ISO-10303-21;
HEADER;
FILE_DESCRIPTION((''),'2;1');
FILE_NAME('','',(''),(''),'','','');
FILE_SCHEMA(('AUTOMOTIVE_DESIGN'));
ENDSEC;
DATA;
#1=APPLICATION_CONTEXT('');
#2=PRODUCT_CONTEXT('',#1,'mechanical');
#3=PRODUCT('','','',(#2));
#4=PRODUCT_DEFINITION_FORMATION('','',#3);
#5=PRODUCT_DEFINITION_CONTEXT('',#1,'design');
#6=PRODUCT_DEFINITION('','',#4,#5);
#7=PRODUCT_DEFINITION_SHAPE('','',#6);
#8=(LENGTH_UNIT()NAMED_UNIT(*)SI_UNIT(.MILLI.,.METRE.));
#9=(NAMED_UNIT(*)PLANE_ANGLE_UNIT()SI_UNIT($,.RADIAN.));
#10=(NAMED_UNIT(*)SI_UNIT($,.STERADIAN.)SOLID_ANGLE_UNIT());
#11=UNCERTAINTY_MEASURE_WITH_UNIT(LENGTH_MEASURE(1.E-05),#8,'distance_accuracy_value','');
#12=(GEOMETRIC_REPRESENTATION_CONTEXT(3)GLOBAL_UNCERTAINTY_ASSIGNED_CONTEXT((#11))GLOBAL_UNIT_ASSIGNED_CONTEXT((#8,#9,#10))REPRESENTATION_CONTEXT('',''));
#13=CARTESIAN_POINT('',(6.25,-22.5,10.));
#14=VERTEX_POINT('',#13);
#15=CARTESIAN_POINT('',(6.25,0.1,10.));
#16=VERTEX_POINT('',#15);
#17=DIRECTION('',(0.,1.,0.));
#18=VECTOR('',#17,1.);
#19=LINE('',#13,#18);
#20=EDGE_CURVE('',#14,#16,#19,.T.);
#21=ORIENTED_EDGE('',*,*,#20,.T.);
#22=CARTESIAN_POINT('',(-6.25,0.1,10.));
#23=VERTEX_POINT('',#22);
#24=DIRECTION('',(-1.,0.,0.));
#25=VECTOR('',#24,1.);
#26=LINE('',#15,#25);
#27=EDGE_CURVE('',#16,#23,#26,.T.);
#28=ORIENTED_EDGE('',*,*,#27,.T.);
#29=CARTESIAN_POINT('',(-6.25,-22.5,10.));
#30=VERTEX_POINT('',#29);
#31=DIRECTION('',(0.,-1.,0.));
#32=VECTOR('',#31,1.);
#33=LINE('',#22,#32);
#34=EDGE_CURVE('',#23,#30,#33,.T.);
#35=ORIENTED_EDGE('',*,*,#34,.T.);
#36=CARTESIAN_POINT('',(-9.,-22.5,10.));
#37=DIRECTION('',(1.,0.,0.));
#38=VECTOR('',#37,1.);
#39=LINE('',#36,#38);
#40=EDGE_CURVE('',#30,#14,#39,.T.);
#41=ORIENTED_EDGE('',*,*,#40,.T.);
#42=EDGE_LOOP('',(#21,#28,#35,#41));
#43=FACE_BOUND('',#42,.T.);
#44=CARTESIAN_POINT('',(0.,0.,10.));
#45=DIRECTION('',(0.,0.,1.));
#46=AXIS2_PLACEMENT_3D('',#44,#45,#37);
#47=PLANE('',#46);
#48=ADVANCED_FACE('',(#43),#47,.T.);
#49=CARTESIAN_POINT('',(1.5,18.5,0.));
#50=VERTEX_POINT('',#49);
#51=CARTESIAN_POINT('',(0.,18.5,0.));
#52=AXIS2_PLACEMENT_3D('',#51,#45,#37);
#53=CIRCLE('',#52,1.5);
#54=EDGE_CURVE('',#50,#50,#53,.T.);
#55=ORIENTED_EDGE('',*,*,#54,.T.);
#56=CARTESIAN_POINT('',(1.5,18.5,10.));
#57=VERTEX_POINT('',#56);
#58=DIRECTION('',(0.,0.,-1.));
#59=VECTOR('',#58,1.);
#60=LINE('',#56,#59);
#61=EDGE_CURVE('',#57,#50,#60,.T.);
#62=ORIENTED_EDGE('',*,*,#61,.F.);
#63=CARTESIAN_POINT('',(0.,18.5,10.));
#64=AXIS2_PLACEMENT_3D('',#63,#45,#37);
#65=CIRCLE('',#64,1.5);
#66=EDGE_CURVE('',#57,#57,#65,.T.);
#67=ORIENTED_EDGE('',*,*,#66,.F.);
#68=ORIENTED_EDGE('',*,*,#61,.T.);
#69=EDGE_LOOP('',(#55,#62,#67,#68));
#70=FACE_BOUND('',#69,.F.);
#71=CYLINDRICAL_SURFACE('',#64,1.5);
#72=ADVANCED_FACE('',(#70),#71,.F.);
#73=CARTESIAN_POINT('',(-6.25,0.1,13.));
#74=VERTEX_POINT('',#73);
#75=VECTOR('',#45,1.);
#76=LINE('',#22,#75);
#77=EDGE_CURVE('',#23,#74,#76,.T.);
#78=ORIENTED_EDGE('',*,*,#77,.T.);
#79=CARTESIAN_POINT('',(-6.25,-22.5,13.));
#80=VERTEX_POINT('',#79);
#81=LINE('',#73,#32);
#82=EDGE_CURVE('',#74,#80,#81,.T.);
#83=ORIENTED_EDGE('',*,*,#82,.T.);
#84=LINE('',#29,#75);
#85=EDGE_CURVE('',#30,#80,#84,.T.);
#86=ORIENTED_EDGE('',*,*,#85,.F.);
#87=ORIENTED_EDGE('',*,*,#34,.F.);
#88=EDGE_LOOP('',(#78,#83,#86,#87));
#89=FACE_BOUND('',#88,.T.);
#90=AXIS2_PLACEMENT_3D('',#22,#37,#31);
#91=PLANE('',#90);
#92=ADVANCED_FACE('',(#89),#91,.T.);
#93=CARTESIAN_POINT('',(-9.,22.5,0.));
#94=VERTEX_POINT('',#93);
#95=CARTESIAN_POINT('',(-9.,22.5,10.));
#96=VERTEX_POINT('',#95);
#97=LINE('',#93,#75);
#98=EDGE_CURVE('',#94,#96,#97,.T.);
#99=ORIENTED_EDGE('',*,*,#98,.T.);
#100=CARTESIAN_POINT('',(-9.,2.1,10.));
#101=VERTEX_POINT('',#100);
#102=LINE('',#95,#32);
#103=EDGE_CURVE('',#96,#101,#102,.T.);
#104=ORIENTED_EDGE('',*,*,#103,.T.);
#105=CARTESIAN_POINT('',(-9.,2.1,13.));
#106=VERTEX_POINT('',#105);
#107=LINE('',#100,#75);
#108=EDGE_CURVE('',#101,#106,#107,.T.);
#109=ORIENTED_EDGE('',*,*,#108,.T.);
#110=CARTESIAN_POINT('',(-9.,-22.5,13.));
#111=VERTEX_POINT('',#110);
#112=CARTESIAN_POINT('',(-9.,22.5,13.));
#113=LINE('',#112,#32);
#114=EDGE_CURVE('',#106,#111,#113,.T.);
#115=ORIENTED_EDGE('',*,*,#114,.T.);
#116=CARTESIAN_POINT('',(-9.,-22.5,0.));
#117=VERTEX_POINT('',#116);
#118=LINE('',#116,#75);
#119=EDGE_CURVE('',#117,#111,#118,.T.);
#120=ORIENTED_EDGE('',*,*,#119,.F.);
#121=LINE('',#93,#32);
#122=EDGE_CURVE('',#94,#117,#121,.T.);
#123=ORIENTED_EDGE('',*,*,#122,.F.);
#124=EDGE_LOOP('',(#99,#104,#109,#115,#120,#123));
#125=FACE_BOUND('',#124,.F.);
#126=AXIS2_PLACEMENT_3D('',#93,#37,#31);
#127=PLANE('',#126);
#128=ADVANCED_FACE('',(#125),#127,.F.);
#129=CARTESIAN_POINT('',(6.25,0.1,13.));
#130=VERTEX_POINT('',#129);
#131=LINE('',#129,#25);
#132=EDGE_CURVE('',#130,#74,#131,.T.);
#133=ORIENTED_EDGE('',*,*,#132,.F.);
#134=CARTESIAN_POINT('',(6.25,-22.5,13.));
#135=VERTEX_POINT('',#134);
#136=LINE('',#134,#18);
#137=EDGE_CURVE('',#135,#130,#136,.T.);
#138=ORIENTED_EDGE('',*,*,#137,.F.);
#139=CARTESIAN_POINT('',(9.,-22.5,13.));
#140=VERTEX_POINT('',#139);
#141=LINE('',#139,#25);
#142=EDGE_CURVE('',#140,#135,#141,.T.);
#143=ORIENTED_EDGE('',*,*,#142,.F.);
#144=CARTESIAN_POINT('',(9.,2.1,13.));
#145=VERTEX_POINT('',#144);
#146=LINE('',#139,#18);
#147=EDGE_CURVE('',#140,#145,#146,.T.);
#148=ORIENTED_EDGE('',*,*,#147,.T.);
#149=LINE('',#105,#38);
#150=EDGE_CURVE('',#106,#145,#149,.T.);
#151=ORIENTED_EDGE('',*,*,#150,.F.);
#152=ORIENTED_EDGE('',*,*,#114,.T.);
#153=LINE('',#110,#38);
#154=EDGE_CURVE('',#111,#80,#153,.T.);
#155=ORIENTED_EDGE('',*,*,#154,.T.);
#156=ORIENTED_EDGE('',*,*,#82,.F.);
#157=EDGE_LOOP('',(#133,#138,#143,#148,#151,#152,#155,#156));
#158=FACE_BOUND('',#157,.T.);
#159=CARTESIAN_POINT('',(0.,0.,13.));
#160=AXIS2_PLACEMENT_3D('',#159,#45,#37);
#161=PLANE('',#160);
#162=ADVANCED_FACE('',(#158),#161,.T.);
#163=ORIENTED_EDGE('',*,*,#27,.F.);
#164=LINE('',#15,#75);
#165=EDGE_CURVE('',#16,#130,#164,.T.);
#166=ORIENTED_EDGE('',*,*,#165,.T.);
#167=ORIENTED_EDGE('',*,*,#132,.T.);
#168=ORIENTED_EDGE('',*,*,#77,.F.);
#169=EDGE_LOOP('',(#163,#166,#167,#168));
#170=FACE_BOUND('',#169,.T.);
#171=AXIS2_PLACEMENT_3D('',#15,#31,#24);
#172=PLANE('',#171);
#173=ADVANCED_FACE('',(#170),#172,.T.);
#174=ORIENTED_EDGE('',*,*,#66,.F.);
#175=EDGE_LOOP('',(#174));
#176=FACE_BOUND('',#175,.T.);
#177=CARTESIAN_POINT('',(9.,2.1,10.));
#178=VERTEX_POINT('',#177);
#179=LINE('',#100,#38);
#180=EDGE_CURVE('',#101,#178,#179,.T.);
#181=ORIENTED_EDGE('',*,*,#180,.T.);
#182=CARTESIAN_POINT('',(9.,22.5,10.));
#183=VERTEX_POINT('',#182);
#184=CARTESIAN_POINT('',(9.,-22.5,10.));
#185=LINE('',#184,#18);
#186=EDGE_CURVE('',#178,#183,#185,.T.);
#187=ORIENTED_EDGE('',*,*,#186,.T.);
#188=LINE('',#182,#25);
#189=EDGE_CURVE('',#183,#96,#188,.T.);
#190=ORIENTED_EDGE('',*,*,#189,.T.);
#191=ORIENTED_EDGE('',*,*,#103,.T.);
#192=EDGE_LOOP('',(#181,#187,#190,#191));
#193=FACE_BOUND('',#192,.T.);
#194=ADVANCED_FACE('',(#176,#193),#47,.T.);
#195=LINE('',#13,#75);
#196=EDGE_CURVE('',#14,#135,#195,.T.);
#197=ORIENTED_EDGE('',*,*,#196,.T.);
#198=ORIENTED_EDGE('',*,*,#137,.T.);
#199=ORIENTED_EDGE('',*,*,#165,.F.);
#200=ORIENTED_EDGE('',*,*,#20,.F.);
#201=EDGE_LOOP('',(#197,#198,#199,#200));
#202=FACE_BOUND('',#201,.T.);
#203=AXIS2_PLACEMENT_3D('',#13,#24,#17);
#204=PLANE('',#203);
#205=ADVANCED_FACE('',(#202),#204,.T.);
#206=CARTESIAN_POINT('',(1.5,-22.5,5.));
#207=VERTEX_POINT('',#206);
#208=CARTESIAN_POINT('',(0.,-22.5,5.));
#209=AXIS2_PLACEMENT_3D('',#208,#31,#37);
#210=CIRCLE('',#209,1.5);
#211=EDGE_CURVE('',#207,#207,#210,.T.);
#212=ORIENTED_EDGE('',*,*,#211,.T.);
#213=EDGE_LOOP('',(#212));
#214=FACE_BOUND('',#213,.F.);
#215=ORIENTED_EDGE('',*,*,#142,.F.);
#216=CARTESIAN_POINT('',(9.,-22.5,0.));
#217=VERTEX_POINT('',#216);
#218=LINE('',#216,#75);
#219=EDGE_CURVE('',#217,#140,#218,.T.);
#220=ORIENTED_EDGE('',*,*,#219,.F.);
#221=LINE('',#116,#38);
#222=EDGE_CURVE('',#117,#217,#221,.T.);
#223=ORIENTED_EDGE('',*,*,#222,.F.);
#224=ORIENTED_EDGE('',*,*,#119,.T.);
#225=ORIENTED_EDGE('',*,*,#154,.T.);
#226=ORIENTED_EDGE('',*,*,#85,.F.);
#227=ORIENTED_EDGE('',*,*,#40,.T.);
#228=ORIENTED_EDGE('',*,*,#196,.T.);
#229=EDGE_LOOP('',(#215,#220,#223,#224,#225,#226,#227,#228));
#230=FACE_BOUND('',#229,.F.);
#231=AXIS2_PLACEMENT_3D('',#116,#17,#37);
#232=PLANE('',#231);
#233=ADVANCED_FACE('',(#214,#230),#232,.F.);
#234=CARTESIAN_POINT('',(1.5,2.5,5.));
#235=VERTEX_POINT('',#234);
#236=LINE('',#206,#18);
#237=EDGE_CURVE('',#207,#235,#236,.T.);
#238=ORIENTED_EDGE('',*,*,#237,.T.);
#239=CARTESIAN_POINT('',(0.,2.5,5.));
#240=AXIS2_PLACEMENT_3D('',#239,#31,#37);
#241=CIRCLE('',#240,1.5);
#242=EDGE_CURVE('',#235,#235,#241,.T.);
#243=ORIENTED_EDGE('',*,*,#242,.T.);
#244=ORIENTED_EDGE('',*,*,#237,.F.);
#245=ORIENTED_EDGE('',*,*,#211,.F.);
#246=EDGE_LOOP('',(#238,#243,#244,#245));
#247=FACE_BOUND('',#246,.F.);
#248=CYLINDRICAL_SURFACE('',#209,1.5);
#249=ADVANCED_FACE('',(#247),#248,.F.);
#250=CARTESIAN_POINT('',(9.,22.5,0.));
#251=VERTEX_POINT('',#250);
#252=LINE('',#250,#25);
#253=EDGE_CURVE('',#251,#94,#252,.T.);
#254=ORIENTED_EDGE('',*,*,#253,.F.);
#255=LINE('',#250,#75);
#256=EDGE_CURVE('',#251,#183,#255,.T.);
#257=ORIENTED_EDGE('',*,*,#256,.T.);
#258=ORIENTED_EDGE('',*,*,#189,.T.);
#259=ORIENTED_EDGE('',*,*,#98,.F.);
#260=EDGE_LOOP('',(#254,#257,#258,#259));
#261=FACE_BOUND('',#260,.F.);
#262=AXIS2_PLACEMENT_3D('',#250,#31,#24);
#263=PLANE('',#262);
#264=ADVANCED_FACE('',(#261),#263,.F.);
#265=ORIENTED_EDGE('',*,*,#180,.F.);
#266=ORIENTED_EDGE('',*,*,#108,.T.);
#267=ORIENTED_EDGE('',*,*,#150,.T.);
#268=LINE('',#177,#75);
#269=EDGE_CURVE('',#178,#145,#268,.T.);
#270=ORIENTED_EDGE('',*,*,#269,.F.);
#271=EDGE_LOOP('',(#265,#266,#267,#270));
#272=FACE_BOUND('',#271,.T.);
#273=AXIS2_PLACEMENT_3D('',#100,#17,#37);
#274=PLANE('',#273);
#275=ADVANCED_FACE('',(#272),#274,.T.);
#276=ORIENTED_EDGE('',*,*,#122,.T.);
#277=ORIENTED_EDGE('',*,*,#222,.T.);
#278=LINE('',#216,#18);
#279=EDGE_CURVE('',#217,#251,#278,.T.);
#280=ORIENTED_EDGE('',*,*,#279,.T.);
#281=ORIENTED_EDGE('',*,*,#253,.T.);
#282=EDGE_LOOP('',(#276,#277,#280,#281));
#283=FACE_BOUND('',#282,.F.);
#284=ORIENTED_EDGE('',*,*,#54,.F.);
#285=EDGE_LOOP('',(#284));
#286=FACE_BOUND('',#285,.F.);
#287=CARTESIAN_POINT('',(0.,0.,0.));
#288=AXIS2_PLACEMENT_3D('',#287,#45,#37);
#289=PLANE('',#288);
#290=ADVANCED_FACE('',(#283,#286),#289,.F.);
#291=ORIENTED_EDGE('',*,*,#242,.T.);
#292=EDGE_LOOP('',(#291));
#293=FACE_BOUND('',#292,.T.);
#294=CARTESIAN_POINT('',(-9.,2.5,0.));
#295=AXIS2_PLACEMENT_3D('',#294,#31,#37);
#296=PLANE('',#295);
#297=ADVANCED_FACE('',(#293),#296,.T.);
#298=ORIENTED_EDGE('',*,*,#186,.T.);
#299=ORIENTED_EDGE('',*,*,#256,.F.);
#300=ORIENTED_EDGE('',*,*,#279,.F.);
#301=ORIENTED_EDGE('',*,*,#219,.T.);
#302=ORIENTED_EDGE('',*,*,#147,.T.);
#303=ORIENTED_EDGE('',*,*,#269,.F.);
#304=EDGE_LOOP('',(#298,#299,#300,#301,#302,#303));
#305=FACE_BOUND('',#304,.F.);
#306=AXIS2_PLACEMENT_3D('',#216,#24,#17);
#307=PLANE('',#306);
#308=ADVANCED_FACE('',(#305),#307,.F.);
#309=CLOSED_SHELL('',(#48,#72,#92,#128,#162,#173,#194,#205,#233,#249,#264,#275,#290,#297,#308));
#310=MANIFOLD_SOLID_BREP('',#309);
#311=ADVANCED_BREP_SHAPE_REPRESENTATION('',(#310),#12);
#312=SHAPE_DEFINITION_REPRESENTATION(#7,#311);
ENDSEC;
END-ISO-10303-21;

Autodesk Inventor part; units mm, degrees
ref_plane "YZ Plane" through (0, 0, 0) normal (1, 0, 0) x (0, 1, 0)
ref_plane "XZ Plane" through (0, 0, 0) normal (0, 1, 0) x (-1, 0, 0)
ref_plane "XY Plane" through (0, 0, 0) normal (0, 0, 1) x (1, 0, 0)
sketch "スケッチ1" plane through (0, 0, 0) normal (0, 0, 1) x (1, 0, 0)
  line L0 (-9, -22.5) -> (9, -22.5)
  line L1 (9, -22.5) -> (9, 22.5)
  line L2 (9, 22.5) -> (-9, 22.5)
  line L3 (-9, 22.5) -> (-9, -22.5)
  line L4 (-9, -22.5) -> (9, 22.5) construction
  line L5 (9, -22.5) -> (-9, 22.5) construction
  point P0 (0, 0)
  dimension "d0" = 18
  dimension "d1" = 45
extrude "押し出し1" add sketch "スケッチ1" along normal blind 10
sketch "スケッチ2" plane through (0, 0, 10) normal (0, 0, 1) x (1, 0, 0)
  line L0 (-9, 22.5) -> (-9, -22.5) projected
  line L1 (-9, -22.5) -> (-9, 2.1)
  line L2 (-9, 2.1) -> (9, 2.1)
  line L3 (9, -22.5) -> (9, 22.5) projected
  line L4 (9, 2.1) -> (9, -22.5)
  line L5 (9, -22.5) -> (6.25, -22.5)
  line L6 (-9, -22.5) -> (9, -22.5) projected
  line L7 (6.25, -22.5) -> (6.25, 0.1)
  line L8 (6.25, 0.1) -> (-6.25, 0.1)
  line L9 (-6.25, 0.1) -> (-6.25, -22.5)
  line L10 (-9, -22.5) -> (-6.25, -22.5)
  point P0 (0, 0)
  dimension "d4" = 12.5
  dimension "d5" = 2.75
  dimension "d6" = 22.6
  dimension "d7" = 2
extrude "押し出し2" add sketch "スケッチ2" along normal blind 3 contours L2 L3 L5 L7 L8 L9 L6 L0
sketch "スケッチ3" plane through (0, 0, 10) normal (0, 0, 1) x (1, 0, 0)
  circle A0 centre (0, 18.5) radius 1.5
  line L0 (9, 22.5) -> (-9, 22.5) projected
  point P0 (0, 0)
  dimension "d10" = 3
  dimension "d11" = 4
extrude "押し出し3" cut sketch "スケッチ3" against normal through all
sketch "スケッチ4" plane through (-9, -22.5, 0) normal (0, -1, 0) x (1, 0, 0)
  circle A0 centre (9, 5) radius 1.5
  line L0 (18, 0) -> (18, 13) projected
  line L1 (0, 0) -> (18, 0) projected
  point P0 (9, 0)
  dimension "d14" = 3
  dimension "d15" = 9
  dimension "d16" = 5
extrude "押し出し4" cut sketch "スケッチ4" against normal blind 25
properties part number "ジョイントモーター付き"
